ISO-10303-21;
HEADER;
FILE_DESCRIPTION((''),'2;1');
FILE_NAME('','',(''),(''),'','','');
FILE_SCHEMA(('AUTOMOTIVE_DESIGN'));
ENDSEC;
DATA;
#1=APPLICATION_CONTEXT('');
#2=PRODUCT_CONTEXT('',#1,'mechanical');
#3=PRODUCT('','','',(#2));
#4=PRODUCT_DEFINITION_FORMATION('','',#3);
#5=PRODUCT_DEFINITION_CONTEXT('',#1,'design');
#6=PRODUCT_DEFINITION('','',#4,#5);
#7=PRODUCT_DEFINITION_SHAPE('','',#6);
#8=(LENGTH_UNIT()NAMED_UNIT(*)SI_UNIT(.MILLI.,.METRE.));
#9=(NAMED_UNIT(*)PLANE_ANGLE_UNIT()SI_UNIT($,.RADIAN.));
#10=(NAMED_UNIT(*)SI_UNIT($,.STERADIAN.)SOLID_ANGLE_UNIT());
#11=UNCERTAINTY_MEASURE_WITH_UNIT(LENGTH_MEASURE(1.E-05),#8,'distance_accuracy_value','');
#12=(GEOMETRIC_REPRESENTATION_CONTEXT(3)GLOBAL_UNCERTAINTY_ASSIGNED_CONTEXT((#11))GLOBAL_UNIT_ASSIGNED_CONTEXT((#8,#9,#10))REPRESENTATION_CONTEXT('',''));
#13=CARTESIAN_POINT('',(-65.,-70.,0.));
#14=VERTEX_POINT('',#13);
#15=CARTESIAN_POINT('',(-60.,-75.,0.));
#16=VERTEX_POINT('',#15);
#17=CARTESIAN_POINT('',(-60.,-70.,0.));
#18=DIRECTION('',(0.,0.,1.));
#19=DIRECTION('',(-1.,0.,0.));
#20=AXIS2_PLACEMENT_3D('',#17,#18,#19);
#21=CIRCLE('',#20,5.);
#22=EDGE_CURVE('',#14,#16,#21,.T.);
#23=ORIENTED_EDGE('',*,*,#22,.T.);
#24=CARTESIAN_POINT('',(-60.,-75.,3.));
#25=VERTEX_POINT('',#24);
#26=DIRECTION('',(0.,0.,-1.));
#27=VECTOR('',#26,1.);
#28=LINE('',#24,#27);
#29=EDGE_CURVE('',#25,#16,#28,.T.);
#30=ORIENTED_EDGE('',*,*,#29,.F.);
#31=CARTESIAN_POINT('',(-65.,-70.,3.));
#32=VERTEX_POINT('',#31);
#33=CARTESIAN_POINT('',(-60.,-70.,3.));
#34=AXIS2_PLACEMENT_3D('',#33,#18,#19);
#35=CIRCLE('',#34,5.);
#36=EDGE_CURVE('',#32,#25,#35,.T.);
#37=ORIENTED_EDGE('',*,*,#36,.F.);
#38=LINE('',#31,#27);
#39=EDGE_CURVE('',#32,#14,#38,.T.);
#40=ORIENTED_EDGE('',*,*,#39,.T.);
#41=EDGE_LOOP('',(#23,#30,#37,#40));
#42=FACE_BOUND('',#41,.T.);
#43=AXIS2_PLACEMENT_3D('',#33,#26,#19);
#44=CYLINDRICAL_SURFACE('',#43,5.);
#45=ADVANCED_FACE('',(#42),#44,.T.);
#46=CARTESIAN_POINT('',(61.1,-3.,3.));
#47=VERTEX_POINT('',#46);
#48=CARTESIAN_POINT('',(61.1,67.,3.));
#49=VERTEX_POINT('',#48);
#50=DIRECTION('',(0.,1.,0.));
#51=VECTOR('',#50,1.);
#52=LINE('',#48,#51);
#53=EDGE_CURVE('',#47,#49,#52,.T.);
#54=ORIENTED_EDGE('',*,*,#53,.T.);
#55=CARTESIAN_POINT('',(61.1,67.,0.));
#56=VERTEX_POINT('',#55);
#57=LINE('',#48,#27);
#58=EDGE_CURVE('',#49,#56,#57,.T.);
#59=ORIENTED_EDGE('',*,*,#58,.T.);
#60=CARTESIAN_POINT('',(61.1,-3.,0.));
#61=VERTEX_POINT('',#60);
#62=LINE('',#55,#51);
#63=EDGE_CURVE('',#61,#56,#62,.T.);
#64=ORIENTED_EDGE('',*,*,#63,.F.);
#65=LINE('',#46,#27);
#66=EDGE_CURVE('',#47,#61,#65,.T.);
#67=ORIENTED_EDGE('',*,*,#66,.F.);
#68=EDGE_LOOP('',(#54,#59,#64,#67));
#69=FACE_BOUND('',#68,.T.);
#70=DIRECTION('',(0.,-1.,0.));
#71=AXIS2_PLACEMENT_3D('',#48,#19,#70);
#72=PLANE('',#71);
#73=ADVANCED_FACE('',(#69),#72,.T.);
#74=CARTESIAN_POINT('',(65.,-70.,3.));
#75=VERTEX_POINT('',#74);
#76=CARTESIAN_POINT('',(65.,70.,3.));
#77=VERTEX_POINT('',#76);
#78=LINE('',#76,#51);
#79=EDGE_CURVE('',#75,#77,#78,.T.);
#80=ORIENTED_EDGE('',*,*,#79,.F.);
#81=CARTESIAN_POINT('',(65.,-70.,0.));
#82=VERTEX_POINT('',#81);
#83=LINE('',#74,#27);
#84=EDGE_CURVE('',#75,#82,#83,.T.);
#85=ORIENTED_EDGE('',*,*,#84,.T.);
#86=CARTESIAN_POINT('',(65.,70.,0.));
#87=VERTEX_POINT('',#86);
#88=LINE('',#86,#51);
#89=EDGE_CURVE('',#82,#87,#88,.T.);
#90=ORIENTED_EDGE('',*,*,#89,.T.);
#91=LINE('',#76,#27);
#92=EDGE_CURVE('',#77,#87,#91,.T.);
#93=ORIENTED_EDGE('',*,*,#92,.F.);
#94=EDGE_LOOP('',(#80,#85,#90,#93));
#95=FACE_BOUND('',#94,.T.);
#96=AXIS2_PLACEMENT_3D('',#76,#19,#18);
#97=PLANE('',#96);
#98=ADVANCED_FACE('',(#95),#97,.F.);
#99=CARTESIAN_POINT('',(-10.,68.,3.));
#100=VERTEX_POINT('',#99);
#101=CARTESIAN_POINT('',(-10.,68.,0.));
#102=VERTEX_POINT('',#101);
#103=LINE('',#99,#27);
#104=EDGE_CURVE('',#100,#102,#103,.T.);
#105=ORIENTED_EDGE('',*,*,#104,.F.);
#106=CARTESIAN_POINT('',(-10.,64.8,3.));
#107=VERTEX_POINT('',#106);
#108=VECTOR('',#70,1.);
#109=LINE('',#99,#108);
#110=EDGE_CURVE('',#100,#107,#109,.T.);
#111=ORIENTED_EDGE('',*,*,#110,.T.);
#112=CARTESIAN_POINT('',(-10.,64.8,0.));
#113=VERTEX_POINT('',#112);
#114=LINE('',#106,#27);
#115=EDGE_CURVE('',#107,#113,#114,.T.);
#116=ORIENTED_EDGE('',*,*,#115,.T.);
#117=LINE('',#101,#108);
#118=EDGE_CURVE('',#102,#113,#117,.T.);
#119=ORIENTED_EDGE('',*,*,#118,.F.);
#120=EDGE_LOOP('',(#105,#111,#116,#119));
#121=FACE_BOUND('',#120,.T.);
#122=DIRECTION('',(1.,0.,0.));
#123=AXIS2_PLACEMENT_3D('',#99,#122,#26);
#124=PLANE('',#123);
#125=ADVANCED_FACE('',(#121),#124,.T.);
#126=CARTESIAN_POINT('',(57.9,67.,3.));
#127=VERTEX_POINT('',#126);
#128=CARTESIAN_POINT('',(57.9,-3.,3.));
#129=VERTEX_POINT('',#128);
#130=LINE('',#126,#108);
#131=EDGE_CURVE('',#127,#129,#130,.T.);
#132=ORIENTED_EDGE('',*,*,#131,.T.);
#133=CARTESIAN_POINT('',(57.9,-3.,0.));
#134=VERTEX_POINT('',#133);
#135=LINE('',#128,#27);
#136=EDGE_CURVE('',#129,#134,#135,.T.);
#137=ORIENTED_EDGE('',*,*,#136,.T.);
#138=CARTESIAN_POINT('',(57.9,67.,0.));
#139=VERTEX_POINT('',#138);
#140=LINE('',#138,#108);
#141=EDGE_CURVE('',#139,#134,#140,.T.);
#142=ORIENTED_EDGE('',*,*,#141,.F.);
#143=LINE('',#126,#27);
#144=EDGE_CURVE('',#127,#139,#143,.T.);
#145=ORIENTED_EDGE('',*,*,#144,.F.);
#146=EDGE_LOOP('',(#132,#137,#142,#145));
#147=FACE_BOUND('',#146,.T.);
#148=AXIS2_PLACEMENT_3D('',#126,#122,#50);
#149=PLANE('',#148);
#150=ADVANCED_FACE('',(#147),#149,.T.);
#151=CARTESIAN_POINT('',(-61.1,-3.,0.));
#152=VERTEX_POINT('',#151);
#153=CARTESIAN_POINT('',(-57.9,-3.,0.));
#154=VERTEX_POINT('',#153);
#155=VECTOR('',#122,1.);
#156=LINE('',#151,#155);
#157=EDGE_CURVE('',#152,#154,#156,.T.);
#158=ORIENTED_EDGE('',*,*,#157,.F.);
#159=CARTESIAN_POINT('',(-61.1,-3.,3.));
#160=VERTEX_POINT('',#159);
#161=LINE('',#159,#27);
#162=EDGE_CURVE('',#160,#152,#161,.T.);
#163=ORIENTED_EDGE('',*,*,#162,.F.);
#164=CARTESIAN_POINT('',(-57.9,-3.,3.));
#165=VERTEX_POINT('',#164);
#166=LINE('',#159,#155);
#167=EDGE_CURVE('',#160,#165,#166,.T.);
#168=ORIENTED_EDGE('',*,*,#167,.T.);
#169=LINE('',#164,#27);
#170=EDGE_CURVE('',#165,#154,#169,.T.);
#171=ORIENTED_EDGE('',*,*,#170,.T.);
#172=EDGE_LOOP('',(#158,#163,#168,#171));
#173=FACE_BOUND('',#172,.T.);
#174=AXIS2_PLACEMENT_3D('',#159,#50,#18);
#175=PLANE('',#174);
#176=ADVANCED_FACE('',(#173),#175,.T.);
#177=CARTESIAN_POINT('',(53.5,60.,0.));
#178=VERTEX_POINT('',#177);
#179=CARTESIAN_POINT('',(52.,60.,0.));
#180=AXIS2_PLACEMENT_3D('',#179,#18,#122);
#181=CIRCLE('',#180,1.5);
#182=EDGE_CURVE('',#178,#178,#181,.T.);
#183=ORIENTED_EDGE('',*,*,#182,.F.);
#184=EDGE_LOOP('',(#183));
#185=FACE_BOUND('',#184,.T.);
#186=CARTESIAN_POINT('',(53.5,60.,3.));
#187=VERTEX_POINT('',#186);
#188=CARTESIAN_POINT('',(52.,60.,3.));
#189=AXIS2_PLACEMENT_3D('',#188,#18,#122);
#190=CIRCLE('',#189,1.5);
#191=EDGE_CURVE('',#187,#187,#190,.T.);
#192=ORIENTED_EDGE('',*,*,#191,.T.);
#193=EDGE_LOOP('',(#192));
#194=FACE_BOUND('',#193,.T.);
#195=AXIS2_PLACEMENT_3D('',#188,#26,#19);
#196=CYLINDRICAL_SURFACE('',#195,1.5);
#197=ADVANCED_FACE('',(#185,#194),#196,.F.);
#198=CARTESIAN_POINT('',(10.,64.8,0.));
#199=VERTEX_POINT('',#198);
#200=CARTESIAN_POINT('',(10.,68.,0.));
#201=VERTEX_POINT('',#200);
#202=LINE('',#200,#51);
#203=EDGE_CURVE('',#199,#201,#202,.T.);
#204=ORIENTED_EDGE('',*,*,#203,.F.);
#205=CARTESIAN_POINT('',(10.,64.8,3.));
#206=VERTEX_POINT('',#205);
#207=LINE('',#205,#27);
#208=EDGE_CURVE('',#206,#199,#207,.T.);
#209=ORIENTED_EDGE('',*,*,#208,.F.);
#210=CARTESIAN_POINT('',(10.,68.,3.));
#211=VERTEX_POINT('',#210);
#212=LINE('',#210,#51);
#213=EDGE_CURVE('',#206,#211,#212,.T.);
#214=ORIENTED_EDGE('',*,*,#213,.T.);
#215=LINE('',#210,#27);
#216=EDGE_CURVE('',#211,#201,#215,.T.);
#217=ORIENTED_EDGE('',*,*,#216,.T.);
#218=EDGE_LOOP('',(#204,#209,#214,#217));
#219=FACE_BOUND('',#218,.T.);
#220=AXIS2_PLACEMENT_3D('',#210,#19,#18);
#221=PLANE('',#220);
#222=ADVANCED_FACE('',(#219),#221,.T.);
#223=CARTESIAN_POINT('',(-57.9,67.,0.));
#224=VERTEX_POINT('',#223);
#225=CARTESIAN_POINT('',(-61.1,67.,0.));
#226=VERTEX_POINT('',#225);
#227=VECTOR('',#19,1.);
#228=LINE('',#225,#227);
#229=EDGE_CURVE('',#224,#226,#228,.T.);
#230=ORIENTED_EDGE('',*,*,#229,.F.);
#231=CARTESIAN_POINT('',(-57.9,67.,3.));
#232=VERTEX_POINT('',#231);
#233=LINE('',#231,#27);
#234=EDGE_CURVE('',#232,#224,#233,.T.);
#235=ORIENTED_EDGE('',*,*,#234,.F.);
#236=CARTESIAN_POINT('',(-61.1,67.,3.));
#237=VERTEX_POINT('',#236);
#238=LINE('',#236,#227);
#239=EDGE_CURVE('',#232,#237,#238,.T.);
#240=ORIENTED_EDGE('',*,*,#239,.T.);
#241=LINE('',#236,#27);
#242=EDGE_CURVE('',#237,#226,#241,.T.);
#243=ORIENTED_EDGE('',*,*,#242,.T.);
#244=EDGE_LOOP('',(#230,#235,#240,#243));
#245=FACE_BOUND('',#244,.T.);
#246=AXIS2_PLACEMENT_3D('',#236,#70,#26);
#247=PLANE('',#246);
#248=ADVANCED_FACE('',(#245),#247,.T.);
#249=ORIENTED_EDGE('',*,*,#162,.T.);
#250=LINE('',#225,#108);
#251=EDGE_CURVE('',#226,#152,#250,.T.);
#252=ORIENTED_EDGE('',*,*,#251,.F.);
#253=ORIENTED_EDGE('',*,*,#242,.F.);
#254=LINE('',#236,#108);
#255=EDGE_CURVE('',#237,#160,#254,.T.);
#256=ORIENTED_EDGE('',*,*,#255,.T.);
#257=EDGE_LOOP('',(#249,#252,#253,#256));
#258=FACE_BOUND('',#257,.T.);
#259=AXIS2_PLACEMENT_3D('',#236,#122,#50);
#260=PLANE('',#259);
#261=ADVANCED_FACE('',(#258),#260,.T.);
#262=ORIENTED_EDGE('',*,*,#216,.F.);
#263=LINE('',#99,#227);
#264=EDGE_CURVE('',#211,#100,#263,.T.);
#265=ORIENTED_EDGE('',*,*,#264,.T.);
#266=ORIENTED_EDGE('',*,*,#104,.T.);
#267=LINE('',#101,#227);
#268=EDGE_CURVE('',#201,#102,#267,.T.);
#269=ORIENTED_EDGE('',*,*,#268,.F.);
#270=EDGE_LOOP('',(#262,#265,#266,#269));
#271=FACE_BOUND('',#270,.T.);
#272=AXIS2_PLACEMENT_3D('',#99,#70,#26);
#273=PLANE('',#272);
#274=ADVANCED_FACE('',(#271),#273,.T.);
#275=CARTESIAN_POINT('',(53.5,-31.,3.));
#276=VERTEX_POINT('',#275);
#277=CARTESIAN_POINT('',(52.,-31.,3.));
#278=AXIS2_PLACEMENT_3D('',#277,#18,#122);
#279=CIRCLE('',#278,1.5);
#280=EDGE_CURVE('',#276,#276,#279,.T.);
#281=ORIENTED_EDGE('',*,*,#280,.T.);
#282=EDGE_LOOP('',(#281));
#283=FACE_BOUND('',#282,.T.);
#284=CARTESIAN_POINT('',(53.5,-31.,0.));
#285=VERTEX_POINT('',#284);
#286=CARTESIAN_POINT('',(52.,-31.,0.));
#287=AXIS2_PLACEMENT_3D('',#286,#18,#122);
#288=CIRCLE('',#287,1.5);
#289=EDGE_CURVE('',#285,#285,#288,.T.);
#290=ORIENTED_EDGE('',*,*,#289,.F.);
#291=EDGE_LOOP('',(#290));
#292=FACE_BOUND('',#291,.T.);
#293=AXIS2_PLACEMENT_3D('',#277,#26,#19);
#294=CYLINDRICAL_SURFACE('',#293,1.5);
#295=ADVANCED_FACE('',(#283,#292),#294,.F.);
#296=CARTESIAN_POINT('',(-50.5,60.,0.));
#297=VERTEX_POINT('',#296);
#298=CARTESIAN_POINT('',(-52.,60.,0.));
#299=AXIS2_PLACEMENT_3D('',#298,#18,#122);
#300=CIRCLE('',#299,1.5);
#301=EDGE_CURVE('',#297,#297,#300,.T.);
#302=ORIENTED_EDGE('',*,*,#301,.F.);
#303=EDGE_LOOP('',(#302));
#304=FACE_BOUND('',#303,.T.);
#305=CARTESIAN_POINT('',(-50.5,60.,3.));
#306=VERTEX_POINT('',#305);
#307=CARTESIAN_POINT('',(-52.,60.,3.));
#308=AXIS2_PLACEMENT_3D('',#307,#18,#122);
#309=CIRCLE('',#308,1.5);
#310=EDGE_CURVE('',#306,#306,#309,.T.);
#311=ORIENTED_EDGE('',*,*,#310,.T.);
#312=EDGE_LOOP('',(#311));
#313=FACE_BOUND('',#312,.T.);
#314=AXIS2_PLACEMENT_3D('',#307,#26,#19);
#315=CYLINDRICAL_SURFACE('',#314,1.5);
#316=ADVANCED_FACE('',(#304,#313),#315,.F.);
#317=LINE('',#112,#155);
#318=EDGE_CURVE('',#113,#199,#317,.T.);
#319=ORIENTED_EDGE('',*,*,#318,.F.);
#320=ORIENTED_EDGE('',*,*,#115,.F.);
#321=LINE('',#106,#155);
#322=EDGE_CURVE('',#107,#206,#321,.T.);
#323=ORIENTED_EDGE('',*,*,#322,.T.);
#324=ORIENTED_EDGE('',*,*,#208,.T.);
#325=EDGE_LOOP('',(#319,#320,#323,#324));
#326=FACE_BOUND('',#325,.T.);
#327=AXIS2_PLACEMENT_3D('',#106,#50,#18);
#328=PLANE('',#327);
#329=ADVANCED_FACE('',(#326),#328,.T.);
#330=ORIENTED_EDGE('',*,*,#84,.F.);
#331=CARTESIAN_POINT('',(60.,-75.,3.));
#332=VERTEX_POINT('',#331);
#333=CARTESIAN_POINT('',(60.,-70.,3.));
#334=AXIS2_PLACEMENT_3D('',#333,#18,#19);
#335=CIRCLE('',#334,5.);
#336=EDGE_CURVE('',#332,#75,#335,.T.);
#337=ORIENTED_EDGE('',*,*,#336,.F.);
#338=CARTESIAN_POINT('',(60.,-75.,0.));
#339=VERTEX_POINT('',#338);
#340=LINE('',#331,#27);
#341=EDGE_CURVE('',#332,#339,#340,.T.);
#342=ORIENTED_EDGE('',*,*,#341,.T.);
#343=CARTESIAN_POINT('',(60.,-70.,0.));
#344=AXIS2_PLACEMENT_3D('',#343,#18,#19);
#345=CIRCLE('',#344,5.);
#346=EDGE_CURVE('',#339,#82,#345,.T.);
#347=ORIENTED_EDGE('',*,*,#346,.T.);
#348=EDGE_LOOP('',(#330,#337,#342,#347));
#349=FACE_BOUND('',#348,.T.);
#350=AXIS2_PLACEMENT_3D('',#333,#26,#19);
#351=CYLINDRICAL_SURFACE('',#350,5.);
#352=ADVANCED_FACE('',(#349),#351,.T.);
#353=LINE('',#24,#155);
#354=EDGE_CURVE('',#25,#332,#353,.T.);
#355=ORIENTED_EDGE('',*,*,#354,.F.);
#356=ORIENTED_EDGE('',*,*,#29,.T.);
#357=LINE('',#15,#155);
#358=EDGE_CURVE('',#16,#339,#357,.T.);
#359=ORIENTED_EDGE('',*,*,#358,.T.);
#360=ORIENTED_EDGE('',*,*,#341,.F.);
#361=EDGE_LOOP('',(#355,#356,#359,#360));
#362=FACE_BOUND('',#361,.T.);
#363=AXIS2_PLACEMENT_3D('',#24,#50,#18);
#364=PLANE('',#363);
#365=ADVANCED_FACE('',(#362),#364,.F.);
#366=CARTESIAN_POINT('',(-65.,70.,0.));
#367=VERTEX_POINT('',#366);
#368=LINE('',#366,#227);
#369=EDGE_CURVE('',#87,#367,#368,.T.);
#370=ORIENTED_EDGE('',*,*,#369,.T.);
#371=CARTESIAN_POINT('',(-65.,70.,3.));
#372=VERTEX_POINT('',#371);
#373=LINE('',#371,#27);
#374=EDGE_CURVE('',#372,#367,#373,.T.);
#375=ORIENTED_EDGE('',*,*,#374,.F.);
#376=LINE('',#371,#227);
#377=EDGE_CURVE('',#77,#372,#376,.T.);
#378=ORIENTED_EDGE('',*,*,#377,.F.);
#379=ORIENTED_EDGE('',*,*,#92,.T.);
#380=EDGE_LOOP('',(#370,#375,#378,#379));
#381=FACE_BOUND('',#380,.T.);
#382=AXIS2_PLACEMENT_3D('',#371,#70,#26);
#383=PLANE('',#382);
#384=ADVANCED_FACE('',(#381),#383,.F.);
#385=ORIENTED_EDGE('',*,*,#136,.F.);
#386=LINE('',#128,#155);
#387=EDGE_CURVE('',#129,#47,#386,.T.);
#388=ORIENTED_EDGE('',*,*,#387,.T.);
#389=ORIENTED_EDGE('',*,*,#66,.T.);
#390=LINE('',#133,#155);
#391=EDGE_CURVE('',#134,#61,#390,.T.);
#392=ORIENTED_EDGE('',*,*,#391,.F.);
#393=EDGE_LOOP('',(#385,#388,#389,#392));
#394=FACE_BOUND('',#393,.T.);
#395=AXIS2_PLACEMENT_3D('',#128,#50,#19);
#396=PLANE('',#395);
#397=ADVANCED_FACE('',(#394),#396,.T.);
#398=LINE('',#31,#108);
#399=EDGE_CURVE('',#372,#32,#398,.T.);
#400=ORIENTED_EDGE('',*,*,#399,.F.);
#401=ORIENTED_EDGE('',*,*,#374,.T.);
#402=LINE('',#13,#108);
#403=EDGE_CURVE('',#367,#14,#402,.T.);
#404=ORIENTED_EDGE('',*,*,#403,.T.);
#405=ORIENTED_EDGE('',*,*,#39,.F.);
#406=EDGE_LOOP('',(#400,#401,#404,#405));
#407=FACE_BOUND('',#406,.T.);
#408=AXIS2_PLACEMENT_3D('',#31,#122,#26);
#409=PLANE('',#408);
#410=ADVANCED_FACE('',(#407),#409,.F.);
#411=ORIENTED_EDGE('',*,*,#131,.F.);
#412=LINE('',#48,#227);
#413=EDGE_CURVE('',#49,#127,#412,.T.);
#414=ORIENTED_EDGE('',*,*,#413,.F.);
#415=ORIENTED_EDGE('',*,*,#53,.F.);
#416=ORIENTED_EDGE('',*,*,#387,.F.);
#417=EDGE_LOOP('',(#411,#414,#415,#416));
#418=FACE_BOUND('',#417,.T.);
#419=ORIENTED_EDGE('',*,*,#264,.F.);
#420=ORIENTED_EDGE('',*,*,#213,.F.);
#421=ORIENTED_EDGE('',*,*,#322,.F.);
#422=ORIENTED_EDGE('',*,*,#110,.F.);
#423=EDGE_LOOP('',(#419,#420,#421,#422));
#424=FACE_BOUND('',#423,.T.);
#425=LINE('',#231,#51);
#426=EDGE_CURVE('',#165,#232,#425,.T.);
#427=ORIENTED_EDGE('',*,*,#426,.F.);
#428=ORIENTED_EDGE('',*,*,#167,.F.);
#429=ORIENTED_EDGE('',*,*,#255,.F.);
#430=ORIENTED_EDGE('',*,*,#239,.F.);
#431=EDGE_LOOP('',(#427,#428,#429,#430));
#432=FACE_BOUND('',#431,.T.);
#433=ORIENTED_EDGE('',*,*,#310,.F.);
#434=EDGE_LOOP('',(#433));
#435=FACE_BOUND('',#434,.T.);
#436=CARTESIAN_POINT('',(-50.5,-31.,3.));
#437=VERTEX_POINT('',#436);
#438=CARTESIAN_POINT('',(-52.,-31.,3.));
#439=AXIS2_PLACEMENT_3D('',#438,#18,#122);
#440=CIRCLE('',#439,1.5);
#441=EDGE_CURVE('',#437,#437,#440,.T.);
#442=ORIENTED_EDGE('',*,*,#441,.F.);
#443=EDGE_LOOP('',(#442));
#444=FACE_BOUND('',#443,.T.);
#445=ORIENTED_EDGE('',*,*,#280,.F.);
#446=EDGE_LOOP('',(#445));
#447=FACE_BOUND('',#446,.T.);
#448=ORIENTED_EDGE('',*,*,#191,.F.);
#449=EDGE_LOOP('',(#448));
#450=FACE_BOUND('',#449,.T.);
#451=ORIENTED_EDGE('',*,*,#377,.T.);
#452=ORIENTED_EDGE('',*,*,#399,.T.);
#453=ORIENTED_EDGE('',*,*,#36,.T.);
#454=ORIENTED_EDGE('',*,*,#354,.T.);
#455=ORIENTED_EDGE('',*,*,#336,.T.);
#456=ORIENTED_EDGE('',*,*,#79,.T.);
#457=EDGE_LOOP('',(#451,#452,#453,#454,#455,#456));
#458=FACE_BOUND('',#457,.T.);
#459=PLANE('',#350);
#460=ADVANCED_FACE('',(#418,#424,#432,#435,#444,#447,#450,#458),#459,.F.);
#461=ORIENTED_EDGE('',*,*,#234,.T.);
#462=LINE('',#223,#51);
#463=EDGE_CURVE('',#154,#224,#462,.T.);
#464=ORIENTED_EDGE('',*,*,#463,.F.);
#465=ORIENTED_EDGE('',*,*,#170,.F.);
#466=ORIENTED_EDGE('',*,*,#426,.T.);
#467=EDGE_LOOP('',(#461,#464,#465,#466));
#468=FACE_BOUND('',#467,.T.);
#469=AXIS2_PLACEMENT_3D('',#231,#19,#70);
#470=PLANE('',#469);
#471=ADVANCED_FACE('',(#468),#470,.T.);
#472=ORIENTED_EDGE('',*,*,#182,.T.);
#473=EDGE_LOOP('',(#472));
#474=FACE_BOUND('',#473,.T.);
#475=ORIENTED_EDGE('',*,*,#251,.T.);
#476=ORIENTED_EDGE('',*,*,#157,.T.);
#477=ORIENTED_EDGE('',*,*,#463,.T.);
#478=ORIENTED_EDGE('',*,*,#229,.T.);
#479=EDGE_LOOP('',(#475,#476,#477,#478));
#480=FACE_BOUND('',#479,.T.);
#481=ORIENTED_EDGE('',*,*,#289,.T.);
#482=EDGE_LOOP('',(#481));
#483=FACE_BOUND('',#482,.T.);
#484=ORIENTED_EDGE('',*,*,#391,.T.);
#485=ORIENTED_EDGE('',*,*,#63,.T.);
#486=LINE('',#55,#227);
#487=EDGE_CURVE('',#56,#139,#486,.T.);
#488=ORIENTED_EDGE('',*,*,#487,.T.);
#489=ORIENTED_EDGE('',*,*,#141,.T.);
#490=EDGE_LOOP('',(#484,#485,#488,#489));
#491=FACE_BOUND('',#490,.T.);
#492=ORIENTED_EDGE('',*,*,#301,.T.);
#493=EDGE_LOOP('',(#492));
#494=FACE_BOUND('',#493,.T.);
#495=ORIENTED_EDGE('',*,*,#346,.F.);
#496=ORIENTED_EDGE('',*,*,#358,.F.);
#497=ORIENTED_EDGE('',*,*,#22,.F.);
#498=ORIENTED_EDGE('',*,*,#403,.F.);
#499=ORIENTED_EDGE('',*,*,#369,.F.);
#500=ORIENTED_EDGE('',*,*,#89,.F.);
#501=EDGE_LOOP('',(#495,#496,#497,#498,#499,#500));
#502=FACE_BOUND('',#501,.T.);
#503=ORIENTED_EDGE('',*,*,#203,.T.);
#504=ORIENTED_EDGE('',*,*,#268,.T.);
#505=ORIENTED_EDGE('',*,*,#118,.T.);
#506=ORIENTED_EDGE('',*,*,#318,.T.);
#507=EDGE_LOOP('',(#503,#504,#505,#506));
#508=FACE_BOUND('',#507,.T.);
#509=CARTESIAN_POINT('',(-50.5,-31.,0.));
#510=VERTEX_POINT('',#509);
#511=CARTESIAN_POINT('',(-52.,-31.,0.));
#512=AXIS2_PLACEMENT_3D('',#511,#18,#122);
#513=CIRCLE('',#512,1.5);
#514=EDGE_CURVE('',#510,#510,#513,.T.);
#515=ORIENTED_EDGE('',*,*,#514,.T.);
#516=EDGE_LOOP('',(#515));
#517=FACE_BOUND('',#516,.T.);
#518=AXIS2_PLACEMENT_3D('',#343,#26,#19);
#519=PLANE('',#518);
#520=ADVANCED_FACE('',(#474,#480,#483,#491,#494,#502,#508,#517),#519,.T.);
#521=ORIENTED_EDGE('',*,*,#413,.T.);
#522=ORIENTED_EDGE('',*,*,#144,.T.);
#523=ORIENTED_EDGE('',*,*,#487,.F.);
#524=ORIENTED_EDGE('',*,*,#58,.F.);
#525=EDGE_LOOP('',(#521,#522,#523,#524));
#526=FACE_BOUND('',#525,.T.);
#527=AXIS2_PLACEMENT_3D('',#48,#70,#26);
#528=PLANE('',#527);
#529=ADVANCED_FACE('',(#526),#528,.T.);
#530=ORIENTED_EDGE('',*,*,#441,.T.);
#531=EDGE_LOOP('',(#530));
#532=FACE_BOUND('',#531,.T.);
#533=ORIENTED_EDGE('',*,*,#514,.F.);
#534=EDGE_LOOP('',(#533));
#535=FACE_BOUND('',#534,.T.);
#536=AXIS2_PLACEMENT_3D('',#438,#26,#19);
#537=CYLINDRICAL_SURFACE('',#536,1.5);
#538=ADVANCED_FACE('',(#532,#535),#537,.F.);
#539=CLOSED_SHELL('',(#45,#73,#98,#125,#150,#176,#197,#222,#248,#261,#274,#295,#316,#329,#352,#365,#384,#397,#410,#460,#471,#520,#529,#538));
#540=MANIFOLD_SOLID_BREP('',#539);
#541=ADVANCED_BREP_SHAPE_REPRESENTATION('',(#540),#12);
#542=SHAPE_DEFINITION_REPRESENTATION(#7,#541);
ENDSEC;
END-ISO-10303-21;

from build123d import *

# Parameters (mm, degrees)
SKETCH1_R           = 1.5
SKETCH1_W           = 20
SKETCH1_H           = 3.2
SKETCH1_W_2         = 3.2
SKETCH1_H_2         = 70
BOSS_EXTRUDE1_DEPTH = 3


with BuildPart() as part:
    # Sketch1 → Boss-Extrude1 (new body)
    with BuildSketch(Plane.XY):
        with BuildLine():
            Line((-60, -75), (60, -75))
            ThreePointArc((60, -75), (63.535533906, -73.535533906), (65, -70))
            Line((65, -70), (65, 70))
            Line((65, 70), (-65, 70))
            Line((-65, 70), (-65, -70))
            ThreePointArc((-65, -70), (-63.535533906, -73.535533906), (-60, -75))
        make_face()
        with Locations((-52, -31)):
            Circle(SKETCH1_R, mode=Mode.SUBTRACT)
        with Locations((52, -31)):
            Circle(SKETCH1_R, mode=Mode.SUBTRACT)
        with Locations((52, 60)):
            Circle(SKETCH1_R, mode=Mode.SUBTRACT)
        with Locations((-52, 60)):
            Circle(SKETCH1_R, mode=Mode.SUBTRACT)
        with Locations((0, 66.4)):
            Rectangle(SKETCH1_W, SKETCH1_H, mode=Mode.SUBTRACT)
        with Locations((-59.5, 32)):
            Rectangle(SKETCH1_W_2, SKETCH1_H_2, mode=Mode.SUBTRACT)
        with Locations((59.5, 32)):
            Rectangle(SKETCH1_W_2, SKETCH1_H_2, mode=Mode.SUBTRACT)
    extrude(amount=BOSS_EXTRUDE1_DEPTH)


solid = part.part
